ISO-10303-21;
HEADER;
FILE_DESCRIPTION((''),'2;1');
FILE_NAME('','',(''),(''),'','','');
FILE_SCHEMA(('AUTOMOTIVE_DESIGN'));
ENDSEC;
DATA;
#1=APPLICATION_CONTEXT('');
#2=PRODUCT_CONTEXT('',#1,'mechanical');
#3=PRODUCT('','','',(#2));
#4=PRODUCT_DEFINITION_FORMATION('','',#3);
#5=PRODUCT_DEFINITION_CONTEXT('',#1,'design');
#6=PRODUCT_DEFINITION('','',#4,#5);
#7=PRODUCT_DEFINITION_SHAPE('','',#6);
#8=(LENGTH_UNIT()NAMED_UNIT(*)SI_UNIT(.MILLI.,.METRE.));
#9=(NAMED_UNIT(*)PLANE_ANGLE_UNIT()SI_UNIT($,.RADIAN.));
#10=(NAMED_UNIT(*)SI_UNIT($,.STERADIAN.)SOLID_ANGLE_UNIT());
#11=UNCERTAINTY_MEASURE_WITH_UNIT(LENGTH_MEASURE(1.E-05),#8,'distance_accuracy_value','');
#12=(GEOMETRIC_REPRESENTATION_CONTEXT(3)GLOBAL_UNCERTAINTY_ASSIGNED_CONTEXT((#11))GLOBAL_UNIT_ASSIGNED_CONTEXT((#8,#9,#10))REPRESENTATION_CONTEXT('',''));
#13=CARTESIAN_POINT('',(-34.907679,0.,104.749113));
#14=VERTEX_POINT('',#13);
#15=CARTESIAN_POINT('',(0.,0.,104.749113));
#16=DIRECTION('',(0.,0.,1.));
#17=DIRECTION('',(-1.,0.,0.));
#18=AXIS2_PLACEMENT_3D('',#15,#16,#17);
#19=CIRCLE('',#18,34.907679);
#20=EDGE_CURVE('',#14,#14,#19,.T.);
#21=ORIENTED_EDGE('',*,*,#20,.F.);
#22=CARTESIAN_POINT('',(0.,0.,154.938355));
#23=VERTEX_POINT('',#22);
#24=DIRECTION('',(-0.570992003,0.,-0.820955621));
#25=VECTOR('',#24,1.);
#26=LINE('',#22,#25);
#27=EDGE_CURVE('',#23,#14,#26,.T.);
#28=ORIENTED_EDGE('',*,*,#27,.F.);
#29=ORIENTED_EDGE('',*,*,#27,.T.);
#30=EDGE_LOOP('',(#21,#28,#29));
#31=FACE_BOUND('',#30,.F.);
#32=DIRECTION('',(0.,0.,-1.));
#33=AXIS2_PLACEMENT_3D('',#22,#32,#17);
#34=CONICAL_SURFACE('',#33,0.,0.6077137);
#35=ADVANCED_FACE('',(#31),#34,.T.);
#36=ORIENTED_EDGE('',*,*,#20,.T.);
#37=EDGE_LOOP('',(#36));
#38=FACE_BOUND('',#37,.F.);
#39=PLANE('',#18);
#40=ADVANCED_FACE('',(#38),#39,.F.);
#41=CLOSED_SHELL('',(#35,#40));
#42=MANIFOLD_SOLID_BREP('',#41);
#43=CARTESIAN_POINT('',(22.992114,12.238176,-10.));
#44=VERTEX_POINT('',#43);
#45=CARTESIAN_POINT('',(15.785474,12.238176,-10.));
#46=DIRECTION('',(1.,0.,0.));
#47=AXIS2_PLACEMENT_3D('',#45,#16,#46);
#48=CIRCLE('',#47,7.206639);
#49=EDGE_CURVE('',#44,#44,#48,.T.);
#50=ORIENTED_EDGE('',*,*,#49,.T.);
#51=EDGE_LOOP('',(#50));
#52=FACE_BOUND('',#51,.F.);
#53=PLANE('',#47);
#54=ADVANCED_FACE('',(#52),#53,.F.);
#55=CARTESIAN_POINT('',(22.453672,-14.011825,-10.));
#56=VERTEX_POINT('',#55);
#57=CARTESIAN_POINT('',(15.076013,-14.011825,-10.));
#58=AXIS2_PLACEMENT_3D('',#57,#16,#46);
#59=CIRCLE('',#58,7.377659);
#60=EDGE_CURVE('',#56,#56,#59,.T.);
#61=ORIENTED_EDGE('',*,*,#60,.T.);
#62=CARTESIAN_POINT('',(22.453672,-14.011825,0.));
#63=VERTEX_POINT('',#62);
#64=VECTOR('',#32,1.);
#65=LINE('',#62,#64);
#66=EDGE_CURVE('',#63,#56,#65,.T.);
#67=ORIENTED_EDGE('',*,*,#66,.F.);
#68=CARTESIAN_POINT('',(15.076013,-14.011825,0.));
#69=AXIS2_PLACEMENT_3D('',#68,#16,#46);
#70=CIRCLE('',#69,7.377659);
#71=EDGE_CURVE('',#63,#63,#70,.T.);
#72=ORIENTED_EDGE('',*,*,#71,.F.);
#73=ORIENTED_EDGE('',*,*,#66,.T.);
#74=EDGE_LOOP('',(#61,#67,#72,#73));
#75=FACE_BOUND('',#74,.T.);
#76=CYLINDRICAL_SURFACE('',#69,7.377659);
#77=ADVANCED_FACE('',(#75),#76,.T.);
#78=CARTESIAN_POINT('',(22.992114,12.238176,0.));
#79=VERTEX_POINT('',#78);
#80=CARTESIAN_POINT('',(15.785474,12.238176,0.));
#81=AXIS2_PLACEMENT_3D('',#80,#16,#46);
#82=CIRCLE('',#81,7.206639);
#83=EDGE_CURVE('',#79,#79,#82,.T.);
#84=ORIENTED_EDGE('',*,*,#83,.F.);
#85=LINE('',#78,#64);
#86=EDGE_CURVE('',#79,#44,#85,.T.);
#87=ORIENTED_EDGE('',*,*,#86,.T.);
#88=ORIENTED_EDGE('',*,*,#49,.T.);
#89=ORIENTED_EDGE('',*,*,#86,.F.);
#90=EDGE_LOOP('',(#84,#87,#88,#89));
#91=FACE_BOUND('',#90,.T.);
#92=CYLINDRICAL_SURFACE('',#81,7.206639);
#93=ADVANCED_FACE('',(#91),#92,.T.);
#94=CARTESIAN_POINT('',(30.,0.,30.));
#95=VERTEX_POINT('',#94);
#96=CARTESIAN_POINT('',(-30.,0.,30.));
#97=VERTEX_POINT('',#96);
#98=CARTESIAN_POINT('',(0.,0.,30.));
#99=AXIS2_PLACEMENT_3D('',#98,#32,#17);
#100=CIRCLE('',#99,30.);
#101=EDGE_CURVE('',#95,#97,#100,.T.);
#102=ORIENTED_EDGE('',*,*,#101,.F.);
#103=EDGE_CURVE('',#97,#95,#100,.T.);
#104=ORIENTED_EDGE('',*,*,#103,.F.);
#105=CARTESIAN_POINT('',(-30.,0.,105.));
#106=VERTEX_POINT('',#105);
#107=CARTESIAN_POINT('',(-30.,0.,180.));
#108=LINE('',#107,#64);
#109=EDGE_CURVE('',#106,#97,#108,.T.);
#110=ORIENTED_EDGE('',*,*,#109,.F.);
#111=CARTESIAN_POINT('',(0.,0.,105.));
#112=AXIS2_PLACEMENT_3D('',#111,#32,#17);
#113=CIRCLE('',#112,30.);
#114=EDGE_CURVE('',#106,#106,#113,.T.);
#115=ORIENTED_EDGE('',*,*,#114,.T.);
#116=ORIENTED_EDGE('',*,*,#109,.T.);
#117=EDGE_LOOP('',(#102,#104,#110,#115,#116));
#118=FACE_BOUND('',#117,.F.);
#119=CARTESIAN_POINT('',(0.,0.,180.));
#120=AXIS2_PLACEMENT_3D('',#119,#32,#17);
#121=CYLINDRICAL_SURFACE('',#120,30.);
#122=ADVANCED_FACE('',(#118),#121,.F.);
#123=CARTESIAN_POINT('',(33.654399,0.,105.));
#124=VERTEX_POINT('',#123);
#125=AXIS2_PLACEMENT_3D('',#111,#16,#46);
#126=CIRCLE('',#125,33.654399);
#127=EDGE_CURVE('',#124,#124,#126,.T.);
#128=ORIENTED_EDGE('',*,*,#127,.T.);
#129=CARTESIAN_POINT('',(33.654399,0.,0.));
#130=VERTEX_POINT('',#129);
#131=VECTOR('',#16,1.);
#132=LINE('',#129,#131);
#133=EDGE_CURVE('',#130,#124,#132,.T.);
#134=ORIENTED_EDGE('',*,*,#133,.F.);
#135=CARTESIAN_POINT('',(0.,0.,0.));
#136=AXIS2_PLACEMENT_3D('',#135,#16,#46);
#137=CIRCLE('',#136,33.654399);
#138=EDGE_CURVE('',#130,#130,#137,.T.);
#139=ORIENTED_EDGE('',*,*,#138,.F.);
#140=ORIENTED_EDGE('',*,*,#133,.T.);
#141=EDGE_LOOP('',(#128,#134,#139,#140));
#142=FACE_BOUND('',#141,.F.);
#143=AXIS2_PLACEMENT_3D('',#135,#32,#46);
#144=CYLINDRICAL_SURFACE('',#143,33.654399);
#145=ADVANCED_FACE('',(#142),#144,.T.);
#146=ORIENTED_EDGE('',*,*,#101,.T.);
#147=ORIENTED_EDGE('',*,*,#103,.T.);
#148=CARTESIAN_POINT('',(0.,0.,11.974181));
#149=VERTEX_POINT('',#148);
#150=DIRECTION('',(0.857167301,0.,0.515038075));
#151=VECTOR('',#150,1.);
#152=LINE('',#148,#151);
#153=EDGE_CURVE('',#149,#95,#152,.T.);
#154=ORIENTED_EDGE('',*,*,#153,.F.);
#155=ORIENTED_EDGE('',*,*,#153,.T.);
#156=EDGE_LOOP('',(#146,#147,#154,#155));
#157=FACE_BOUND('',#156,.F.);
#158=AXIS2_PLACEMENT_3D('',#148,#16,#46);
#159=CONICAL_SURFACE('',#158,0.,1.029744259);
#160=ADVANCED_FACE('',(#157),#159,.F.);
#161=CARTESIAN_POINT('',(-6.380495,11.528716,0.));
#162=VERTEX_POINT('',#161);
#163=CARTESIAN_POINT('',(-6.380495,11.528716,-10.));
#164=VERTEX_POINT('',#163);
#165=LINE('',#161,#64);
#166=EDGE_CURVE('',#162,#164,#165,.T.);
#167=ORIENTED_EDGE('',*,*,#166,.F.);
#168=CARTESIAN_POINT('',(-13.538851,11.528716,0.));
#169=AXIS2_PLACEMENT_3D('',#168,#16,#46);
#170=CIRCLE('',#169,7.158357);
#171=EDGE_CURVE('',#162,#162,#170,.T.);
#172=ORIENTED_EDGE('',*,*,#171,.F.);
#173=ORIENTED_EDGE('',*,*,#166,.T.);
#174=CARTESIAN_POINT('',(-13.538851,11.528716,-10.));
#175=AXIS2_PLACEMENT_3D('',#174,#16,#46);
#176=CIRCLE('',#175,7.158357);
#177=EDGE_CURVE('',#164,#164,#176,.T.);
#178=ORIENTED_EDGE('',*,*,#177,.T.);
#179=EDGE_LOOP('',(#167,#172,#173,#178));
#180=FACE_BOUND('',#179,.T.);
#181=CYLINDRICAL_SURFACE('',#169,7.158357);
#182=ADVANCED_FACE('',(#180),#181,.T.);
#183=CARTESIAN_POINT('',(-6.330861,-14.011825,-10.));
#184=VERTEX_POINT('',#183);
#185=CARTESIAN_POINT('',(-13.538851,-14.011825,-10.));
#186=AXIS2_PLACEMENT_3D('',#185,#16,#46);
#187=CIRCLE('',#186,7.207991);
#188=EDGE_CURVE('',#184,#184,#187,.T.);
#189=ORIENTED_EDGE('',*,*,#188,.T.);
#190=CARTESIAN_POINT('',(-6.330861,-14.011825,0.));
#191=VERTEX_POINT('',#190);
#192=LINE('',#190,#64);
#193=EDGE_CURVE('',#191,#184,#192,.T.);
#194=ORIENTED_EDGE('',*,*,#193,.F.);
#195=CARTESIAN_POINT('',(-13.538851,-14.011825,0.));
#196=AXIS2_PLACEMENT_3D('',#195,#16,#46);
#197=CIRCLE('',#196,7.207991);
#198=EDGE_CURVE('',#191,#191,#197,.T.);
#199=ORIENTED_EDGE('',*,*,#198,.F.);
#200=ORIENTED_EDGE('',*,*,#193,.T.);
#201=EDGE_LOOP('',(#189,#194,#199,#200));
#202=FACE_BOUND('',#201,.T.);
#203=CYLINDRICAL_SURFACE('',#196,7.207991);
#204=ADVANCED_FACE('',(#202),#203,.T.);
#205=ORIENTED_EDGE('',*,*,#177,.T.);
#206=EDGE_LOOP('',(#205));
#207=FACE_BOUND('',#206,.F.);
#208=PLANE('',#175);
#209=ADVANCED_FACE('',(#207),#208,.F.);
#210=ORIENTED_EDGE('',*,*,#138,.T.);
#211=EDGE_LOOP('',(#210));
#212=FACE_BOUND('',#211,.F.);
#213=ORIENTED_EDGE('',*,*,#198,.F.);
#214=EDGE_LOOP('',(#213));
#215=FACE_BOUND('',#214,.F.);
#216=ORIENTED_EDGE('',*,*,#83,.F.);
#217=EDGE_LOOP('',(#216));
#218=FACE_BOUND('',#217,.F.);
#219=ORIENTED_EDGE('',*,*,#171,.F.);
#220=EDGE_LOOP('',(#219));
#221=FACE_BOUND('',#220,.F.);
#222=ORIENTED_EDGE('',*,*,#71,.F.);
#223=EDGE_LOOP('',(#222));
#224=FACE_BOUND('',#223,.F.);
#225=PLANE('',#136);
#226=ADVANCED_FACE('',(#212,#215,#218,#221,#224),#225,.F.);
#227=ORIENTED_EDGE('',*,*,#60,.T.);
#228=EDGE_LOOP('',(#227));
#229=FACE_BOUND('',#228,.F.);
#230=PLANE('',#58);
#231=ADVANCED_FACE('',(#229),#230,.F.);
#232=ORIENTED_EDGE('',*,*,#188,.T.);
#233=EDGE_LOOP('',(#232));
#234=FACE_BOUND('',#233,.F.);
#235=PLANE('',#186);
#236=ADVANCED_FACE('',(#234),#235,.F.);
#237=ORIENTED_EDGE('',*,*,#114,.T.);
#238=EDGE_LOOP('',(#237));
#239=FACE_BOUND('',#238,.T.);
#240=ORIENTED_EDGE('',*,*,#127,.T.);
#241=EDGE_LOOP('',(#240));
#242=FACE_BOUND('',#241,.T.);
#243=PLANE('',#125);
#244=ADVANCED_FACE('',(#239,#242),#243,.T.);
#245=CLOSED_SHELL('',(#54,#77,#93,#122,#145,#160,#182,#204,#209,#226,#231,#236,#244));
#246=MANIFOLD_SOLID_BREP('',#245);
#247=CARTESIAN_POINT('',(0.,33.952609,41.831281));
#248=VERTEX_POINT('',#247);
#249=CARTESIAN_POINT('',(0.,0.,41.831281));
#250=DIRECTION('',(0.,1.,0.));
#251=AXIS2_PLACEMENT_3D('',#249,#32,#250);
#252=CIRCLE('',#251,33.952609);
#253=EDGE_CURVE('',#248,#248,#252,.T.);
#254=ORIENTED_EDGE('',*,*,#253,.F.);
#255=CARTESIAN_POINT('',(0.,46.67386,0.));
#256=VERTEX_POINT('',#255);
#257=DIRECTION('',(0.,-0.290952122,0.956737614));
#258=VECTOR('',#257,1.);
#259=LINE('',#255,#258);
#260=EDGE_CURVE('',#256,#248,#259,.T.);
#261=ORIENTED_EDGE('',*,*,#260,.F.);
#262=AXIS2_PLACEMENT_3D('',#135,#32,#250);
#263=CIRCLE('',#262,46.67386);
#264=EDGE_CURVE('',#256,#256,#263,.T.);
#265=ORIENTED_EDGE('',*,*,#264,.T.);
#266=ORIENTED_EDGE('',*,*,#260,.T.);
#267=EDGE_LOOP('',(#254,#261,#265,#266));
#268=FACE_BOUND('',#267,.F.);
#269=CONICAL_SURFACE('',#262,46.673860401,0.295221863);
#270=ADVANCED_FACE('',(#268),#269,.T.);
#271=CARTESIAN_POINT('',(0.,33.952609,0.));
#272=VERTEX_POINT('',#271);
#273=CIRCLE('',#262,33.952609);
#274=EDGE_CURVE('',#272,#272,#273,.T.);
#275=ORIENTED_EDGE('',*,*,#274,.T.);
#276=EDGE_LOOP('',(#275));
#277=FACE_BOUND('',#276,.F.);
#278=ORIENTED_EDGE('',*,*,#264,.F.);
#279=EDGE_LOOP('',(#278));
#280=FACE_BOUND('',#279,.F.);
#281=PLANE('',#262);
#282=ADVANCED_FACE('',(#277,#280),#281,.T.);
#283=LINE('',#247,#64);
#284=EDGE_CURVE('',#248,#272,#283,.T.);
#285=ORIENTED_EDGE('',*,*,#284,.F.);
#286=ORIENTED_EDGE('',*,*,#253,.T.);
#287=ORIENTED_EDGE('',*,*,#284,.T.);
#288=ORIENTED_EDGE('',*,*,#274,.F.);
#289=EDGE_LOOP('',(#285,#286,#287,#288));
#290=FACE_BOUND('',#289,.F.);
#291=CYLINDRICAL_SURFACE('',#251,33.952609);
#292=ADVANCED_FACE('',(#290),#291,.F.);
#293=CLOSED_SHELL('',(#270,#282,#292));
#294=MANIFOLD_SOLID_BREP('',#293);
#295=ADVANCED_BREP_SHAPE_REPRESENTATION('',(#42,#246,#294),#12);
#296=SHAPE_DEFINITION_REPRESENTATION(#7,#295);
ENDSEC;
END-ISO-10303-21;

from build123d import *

# Parameters (mm, degrees)
F0_R      = 33.6543994883
F1_DEPTH  = 105
F3_D      = 60
F3_DEPTH  = 75
F3_TIP    = 18.0258185708
F8_R      = 7.377658539
F9_DEPTH  = 10
F10_R     = 7.1583566922
F11_DEPTH = 10
F12_R     = 7.206639497
F13_DEPTH = 10
F14_R     = 7.207990809
F15_DEPTH = 10


with BuildPart() as f1:
    # F0 (on Top) → F1 (new body)
    with BuildSketch(Plane.XY):
        Circle(F0_R)
    extrude(amount=F1_DEPTH)

    # F3
    with Locations(Plane.XY.offset(105)):
        with Locations((0, 0)):
            Hole(F3_D / 2, depth=F3_DEPTH)
            with Locations((0, 0, -(F3_DEPTH + F3_TIP / 2))):  # 118° drill point
                Cone(0, F3_D / 2, F3_TIP, mode=Mode.SUBTRACT)

    # F8 (on face) → F9 (join)
    with BuildSketch(Plane.XY):
        with Locations((15.0760132819, -14.0118245035)):
            Circle(F8_R)
    extrude(amount=-F9_DEPTH)

    # F10 (on face) → F11 (join)
    with BuildSketch(Plane.XY):
        with Locations((-13.5388514027, 11.5287164226)):
            Circle(F10_R)
    extrude(amount=-F11_DEPTH)

    # F12 (on face) → F13 (join)
    with BuildSketch(Plane.XY):
        with Locations((15.7854743302, 12.2381756082)):
            Circle(F12_R)
    extrude(amount=-F13_DEPTH)

    # F14 (on face) → F15 (join)
    with BuildSketch(Plane.XY):
        with Locations((-13.5388514027, -14.0118245035)):
            Circle(F14_R)
    extrude(amount=-F15_DEPTH)


with BuildPart() as f5:
    # F4 (on Front) → F5 (revolve)
    with BuildSketch(Plane.XZ):
        Polygon((-34.9076794685, 104.7491133213), (0, 104.7491133213), (0, 154.9383550882), align=None)
    revolve(axis=Axis((0, 0, 105), (0, 0, 1)))


with BuildPart() as f7:
    # F6 (on Right) → F7 (revolve)
    with BuildSketch(Plane.YZ):
        Polygon((33.9526087046, 41.8312810361), (33.9526087046, 0), (46.6738604009, 0), align=None)
    revolve(axis=Axis((0, 0, 0), (0, 0, -1)))


solid = Compound([f1.part, f5.part, f7.part])
